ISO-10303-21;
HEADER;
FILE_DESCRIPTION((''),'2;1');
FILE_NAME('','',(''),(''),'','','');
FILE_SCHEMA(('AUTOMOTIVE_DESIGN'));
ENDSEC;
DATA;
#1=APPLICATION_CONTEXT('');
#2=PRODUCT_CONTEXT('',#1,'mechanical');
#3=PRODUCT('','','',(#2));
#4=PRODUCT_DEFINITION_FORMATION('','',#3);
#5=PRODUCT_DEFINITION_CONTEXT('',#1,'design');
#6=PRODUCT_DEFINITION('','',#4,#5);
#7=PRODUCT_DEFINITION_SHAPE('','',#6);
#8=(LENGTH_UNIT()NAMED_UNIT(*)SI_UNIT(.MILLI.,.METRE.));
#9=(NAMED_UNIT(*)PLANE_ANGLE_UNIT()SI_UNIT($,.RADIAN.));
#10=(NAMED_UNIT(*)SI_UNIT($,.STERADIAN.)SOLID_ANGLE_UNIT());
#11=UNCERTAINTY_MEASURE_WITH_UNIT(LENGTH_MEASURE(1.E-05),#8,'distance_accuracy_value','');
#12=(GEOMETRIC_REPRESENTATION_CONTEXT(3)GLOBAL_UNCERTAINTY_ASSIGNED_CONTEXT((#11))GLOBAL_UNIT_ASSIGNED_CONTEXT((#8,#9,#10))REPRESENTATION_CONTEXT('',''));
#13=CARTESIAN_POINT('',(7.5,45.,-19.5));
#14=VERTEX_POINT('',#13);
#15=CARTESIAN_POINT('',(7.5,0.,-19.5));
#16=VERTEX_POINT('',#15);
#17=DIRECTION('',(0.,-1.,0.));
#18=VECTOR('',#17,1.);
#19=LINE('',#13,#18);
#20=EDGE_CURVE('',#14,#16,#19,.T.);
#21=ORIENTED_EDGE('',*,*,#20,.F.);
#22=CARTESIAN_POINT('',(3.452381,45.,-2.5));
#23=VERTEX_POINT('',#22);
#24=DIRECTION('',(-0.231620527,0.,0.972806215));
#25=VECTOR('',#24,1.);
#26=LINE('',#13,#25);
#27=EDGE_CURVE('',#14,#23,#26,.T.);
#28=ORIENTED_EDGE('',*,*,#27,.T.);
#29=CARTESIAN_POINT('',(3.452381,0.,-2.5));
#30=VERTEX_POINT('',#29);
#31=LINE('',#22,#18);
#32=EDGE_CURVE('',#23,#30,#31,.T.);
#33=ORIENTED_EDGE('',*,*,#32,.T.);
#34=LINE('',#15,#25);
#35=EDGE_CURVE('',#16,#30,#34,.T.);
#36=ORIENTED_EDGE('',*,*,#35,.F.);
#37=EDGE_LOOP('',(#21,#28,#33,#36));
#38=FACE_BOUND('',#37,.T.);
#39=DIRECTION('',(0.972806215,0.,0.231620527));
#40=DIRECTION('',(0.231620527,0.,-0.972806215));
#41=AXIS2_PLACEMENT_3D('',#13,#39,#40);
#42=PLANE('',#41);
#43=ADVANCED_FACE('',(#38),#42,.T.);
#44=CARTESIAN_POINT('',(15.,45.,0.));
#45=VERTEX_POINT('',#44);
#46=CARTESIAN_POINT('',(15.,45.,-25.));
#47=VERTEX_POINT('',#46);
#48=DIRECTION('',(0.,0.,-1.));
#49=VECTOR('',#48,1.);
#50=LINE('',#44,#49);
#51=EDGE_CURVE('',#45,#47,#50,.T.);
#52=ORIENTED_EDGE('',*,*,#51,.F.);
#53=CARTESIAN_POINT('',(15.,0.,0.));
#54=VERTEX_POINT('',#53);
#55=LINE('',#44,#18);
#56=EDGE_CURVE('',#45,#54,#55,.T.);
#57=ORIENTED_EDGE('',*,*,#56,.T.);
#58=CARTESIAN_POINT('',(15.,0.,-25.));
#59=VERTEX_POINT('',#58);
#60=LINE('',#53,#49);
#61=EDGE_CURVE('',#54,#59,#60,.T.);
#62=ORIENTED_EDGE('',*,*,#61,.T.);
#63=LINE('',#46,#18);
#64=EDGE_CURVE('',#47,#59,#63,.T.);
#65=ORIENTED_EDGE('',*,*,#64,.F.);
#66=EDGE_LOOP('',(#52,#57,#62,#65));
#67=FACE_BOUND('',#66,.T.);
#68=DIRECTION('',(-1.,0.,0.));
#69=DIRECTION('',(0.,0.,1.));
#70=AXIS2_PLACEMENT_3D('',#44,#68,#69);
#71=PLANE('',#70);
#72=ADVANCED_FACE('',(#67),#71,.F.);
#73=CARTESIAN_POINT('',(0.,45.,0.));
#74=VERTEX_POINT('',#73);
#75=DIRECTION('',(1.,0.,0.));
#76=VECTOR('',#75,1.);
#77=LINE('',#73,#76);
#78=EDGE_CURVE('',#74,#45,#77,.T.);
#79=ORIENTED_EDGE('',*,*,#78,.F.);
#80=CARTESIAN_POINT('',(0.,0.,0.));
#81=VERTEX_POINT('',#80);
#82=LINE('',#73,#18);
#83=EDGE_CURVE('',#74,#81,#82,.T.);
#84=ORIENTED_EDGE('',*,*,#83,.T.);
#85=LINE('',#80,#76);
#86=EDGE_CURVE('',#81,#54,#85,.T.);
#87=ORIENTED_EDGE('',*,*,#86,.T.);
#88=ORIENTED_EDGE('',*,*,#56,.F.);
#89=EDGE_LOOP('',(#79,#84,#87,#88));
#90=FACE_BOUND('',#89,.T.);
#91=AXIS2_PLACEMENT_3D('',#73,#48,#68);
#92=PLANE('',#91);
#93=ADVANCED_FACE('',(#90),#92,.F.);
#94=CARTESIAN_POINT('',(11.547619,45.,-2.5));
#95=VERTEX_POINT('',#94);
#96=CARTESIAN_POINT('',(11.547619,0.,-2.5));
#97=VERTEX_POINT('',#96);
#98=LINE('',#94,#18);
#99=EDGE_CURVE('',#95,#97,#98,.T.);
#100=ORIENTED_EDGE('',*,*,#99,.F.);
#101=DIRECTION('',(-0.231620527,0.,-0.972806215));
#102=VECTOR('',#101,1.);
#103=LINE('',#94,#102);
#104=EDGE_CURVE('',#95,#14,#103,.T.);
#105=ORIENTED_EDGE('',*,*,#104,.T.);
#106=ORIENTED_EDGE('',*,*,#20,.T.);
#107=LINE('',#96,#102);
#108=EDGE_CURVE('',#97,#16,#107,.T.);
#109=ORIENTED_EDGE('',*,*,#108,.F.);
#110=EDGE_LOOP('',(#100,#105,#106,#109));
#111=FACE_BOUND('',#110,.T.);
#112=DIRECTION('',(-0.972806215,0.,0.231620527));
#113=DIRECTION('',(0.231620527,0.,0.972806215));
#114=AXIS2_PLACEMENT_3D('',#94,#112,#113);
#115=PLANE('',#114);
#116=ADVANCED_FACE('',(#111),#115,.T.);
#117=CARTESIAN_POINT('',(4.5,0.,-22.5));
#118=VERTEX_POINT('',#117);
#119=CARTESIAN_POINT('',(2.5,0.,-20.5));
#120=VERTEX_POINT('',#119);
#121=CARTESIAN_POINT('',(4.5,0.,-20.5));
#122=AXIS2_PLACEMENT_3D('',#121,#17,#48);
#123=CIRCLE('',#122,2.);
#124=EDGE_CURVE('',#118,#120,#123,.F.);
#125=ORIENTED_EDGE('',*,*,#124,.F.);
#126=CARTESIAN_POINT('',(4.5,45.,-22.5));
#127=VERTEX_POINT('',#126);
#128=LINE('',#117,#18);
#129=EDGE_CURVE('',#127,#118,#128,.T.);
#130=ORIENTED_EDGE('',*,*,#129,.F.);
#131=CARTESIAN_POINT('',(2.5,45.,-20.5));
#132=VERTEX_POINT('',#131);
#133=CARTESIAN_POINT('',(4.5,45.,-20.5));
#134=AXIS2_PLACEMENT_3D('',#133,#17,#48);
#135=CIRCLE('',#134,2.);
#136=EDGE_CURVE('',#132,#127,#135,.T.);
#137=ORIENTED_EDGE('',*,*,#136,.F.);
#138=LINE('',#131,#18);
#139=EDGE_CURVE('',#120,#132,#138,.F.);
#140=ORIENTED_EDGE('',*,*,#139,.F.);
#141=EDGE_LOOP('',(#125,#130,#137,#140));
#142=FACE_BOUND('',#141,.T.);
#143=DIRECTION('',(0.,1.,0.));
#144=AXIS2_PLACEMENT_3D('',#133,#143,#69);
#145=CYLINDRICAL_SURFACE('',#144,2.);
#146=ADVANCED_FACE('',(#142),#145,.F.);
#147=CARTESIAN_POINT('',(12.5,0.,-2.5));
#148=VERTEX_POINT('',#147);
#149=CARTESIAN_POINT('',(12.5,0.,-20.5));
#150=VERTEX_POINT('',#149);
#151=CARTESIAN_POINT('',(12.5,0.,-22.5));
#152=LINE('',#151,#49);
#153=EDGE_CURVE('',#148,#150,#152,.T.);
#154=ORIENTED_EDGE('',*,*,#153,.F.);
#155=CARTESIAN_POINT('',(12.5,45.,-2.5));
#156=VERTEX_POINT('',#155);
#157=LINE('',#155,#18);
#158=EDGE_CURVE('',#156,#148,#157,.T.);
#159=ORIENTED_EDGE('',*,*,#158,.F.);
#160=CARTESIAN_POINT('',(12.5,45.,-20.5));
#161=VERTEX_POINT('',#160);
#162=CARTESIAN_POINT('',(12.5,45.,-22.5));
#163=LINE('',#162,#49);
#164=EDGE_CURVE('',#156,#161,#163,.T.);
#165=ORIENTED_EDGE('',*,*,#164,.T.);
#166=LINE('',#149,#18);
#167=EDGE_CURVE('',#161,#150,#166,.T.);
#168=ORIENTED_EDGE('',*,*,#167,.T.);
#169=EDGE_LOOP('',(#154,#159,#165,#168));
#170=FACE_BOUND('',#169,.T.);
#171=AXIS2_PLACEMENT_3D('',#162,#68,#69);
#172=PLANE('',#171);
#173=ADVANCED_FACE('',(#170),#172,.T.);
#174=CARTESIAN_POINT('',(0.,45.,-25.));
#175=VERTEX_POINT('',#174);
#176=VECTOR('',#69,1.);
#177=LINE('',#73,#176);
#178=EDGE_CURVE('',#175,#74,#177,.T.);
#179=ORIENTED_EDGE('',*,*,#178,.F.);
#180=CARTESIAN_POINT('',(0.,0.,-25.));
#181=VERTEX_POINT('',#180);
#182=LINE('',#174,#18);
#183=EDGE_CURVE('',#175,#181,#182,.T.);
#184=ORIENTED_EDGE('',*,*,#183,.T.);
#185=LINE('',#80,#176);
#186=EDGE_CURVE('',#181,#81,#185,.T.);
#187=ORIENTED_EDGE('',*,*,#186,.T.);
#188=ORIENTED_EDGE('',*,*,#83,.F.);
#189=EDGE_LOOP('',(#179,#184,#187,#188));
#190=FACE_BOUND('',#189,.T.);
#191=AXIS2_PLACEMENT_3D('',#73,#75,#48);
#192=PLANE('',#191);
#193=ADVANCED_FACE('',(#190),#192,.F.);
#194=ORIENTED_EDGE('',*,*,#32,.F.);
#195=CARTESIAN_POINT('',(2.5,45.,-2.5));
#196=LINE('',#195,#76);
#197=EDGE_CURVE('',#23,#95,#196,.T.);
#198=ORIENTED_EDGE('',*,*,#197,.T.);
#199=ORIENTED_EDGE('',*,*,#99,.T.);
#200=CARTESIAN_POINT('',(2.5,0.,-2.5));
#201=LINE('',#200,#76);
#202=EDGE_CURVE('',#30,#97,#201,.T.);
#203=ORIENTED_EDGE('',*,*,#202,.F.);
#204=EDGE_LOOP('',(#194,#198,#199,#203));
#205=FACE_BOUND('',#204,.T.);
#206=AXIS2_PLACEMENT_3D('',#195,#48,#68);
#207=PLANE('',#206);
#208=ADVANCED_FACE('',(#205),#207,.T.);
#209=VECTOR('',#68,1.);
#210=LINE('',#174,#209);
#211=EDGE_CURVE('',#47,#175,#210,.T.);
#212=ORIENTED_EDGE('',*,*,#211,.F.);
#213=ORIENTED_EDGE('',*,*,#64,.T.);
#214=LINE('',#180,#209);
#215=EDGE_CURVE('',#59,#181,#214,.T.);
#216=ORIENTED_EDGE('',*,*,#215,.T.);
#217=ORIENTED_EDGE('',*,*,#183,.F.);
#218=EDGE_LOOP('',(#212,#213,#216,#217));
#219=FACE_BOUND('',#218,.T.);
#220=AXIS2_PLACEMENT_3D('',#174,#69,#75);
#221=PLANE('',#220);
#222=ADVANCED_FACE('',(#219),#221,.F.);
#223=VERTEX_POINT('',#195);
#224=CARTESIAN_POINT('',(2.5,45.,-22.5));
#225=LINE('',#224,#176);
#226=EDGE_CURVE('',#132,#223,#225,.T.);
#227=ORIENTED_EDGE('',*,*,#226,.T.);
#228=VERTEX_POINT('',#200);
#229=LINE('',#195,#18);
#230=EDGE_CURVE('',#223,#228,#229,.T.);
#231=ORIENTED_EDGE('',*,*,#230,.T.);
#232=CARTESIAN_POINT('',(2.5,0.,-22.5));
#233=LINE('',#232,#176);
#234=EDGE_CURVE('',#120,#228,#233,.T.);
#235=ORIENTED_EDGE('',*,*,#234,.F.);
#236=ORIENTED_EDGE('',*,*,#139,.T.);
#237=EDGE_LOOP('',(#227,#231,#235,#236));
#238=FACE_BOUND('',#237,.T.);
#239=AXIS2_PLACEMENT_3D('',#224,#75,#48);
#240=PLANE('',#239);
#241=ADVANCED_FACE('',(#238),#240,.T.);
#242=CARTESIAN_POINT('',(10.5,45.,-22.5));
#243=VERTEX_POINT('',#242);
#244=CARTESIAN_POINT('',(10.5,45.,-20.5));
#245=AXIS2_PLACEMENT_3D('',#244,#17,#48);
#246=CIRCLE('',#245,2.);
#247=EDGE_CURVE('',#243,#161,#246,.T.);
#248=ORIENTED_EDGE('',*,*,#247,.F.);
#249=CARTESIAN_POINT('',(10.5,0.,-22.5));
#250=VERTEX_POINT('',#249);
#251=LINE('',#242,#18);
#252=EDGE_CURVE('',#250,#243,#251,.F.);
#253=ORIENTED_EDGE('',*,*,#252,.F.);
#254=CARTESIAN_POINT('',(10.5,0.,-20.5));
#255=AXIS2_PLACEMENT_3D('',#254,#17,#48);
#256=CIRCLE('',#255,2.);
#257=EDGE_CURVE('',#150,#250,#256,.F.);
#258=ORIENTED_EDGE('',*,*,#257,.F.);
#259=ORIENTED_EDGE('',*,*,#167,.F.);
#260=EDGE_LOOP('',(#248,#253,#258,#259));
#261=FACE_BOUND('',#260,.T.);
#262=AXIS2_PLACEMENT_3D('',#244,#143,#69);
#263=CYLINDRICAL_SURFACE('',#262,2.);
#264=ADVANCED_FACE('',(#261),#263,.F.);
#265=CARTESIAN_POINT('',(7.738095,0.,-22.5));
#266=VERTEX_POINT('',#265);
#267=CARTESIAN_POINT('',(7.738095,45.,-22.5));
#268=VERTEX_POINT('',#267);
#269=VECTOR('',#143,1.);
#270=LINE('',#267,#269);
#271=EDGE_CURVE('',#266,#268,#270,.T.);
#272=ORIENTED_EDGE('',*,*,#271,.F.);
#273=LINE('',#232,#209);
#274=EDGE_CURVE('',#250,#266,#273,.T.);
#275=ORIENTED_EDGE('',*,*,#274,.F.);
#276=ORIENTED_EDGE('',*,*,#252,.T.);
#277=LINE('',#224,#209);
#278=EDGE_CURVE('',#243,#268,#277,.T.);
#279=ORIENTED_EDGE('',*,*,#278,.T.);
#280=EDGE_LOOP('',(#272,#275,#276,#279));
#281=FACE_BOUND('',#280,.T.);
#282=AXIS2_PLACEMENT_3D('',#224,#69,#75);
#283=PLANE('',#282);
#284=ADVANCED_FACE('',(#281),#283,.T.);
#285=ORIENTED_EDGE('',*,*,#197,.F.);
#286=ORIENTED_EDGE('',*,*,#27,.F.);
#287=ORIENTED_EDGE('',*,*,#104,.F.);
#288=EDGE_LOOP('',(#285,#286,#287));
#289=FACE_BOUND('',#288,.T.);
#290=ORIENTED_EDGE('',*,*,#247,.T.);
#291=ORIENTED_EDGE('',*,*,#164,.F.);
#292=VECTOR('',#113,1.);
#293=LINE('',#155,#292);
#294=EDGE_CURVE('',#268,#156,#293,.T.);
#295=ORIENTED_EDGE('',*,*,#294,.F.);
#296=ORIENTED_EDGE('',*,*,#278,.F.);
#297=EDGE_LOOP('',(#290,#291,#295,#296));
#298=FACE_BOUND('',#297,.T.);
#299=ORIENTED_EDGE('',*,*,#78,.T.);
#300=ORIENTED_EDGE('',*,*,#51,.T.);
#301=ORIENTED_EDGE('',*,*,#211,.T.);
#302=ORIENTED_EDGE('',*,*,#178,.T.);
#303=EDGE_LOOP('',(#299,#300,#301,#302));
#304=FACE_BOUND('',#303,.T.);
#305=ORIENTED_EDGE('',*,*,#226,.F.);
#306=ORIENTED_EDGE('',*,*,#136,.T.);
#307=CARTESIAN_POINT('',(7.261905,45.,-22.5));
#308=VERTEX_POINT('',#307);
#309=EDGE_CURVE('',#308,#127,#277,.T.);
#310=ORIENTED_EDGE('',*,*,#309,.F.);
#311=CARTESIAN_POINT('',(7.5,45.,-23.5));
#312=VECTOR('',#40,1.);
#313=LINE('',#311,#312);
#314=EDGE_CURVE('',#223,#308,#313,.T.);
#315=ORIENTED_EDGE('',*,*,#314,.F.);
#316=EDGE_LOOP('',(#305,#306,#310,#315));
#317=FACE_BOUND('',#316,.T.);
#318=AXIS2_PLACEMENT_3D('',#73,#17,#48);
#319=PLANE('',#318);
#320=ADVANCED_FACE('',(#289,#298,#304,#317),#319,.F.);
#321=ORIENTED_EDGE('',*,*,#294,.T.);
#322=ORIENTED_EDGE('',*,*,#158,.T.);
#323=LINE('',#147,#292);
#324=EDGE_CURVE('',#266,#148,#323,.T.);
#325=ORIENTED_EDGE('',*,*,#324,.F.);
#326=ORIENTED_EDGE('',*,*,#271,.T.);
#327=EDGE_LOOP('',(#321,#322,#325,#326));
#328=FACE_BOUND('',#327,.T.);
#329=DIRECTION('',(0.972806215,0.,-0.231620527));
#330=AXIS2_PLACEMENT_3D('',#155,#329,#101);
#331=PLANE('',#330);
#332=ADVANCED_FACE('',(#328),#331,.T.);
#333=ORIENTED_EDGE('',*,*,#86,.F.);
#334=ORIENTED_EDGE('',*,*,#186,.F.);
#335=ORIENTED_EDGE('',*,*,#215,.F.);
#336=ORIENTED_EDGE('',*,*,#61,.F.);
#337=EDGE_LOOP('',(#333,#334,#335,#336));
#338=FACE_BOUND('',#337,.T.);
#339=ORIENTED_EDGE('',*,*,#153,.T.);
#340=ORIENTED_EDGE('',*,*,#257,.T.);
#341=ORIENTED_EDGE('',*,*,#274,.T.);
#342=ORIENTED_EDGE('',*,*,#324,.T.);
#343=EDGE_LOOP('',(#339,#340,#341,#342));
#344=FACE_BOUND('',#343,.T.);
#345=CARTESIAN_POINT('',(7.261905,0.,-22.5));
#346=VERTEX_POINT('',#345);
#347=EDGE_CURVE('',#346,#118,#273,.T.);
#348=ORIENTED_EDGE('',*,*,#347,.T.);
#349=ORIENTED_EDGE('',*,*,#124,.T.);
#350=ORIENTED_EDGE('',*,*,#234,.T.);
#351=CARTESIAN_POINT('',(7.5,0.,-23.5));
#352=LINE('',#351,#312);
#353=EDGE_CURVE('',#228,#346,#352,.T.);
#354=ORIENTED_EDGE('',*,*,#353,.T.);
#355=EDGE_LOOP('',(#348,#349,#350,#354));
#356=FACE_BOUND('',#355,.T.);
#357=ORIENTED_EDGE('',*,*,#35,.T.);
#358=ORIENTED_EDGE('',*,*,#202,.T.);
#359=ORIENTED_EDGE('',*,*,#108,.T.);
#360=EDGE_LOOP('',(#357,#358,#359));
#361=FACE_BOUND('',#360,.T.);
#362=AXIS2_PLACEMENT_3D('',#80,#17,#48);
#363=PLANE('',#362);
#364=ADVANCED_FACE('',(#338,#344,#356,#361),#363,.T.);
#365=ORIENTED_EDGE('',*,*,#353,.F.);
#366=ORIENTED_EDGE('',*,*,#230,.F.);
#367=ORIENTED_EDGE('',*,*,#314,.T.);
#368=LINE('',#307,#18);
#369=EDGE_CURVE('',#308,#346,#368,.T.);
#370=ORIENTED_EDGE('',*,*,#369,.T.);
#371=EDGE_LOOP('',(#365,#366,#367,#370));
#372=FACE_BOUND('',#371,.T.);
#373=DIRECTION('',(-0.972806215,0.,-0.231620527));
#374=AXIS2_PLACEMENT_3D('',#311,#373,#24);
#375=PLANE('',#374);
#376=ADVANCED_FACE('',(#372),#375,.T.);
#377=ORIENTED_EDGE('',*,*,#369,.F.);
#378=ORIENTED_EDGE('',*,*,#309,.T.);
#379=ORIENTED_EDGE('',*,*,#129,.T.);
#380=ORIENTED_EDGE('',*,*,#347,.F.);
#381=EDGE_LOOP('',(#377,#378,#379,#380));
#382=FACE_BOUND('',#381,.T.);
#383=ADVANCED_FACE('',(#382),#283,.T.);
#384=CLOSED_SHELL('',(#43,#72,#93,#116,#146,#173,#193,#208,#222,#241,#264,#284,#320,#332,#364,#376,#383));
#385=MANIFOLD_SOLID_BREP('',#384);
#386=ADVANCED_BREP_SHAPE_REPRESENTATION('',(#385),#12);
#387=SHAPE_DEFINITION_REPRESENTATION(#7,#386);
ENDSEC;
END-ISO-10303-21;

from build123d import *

# Parameters (mm, degrees)
SKETCH1_W           = 15
SKETCH1_H           = 25
SKETCH1_W_2         = 10
SKETCH1_H_2         = 20
BOSS_EXTRUDE1_DEPTH = 45
BOSS_EXTRUDE4_DEPTH = 45
FILLET2_R           = 2


with BuildPart() as part:
    # Sketch1 → Boss-Extrude1 (new body)
    with BuildSketch(Plane(origin=(0, 0, 0), x_dir=(1, 0, 0), z_dir=(0, 1, 0))):
        with Locations((7.5, 12.5)):
            Rectangle(SKETCH1_W, SKETCH1_H)
        with Locations((7.5, 12.5)):
            Rectangle(SKETCH1_W_2, SKETCH1_H_2, mode=Mode.SUBTRACT)
    extrude(amount=BOSS_EXTRUDE1_DEPTH)

    # Sketch3 → Boss-Extrude4 (add, through all)
    with BuildSketch(Plane.XZ):
        Polygon((12.5, -2.5), (7.5, -23.5), (2.5, -2.5), (3.452380952, -2.5), (7.5, -19.5), (11.547619048, -2.5), align=None)
    extrude(amount=-BOSS_EXTRUDE4_DEPTH)

    # Fillet2
    fillet2_edges = [part.edges().sort_by_distance(p)[0] for p in [
        (2.5, 22.5, -22.5),
        (12.5, 22.5, -22.5),
    ]]
    fillet(fillet2_edges, radius=FILLET2_R)


solid = part.part
